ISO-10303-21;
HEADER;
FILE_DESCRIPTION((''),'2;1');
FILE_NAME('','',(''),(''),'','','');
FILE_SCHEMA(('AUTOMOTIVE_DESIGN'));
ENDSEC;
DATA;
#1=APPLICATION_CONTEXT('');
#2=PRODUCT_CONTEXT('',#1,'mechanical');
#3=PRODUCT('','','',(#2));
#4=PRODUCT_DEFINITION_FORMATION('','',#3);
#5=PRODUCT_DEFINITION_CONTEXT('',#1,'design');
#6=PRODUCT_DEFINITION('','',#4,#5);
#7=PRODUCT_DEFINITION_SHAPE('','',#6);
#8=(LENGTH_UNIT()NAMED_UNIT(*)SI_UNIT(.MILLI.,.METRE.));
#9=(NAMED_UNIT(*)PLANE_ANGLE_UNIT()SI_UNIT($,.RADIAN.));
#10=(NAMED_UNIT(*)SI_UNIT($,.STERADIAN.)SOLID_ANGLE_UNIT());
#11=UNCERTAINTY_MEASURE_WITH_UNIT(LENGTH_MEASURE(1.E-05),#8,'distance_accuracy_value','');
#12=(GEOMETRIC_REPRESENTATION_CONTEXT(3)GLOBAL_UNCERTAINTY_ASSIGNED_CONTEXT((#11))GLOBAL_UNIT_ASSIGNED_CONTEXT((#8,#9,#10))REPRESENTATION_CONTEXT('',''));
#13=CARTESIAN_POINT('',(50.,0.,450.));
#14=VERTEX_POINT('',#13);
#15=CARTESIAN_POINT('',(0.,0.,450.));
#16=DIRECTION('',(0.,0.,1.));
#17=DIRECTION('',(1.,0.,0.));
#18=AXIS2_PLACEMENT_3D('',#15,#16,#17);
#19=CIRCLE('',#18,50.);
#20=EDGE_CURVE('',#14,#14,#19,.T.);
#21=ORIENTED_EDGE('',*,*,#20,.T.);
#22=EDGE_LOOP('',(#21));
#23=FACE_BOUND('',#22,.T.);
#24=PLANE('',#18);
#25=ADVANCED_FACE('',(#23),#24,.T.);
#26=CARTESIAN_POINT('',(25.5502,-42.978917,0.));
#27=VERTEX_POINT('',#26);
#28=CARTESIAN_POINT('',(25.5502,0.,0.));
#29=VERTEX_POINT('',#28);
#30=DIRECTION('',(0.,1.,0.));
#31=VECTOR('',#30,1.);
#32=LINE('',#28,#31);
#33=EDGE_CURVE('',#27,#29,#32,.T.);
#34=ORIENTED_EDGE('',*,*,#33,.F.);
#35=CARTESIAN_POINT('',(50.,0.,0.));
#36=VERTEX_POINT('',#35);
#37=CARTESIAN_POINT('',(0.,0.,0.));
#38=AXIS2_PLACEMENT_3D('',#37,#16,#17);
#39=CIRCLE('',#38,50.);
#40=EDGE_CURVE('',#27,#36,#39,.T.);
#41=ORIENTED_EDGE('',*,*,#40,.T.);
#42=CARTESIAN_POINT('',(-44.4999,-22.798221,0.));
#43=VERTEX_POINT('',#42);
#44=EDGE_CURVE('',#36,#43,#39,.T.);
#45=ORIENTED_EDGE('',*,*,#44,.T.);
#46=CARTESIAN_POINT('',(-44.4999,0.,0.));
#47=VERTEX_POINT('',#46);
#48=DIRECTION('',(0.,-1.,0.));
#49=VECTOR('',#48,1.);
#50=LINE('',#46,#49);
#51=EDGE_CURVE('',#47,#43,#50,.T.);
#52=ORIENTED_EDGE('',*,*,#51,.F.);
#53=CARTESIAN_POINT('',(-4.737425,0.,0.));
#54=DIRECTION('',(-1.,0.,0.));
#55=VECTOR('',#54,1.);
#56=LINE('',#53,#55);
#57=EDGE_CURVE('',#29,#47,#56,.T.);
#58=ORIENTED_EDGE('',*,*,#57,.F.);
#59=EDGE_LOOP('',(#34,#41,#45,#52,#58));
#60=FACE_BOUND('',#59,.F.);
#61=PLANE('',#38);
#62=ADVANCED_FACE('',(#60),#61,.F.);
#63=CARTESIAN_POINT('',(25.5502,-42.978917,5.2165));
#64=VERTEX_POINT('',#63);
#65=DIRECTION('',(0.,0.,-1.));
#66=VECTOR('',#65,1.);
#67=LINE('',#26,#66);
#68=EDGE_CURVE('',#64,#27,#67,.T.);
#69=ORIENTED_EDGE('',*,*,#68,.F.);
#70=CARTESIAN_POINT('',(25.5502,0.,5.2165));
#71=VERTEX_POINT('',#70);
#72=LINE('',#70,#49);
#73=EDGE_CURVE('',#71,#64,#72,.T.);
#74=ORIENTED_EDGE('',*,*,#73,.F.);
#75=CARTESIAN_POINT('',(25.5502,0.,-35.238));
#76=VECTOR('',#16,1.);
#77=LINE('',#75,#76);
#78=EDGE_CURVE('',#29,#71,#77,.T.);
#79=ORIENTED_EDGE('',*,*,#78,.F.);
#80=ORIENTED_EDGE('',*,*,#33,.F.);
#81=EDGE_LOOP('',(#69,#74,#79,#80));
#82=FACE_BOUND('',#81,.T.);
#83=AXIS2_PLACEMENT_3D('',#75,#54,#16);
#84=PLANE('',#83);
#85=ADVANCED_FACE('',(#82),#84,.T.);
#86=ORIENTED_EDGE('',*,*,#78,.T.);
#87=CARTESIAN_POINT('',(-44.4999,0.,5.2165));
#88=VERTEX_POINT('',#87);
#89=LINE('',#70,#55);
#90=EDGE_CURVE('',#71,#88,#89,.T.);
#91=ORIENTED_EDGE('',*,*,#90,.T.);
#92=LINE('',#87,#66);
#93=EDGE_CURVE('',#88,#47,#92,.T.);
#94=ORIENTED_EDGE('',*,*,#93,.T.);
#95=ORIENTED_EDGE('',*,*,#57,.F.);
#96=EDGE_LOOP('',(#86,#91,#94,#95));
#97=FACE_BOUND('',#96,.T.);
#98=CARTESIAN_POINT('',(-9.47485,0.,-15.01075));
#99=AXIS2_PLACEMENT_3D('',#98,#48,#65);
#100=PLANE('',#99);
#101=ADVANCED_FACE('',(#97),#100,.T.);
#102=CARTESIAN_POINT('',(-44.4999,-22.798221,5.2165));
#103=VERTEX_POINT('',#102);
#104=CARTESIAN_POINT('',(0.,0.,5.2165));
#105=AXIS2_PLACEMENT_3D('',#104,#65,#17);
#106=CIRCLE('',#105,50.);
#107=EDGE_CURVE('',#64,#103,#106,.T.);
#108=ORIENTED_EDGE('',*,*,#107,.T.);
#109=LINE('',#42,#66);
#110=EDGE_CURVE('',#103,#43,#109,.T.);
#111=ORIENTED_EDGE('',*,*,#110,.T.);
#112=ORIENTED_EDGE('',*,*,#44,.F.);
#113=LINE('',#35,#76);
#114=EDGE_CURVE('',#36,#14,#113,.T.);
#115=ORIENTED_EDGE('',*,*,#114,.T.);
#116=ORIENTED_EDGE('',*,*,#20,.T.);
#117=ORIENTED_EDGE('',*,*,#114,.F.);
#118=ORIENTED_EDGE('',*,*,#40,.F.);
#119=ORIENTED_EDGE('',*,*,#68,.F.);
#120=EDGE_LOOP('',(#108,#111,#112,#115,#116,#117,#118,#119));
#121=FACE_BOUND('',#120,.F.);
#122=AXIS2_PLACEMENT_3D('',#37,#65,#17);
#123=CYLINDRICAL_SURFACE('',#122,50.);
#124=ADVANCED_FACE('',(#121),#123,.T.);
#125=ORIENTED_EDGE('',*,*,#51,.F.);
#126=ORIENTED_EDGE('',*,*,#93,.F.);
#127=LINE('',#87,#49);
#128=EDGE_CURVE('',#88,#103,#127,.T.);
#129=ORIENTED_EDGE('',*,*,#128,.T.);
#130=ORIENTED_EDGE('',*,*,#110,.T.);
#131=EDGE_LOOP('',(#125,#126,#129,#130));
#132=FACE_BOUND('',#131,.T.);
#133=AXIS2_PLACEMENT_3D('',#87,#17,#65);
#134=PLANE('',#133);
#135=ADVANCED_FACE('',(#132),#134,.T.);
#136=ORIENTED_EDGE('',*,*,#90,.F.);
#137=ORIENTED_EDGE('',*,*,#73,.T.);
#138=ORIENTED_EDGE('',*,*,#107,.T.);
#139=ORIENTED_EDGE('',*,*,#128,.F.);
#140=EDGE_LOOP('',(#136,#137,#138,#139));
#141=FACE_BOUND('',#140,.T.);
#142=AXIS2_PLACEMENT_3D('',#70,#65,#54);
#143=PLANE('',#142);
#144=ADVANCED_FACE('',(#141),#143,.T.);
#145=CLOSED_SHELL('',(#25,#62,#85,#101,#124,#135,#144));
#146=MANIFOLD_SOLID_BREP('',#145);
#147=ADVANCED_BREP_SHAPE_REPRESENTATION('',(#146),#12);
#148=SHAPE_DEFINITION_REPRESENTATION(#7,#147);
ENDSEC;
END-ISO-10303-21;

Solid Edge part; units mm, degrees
sketch "Sketch1" plane through (0, 0, 0) normal (0, 0, 1) x (1, 0, 0)
  circle A0 centre (0, 0) radius 50
extrude "Protrusion1" add sketch "Sketch1" along normal blind 450
sketch "Sketch2" plane through (0, 0, 0) normal (0, -1, 0) x (1, 0, 0)
  line L0 (25.5502, -35.238) -> (25.5502, 5.2165)
  line L1 (25.5502, 5.2165) -> (-44.4999, 5.2165)
  line L2 (-44.4999, 5.2165) -> (-44.4999, -35.238)
  line L3 (-44.4999, -35.238) -> (25.5502, -35.238)
extrude "Cutout1" cut sketch "Sketch2" along normal up to next
